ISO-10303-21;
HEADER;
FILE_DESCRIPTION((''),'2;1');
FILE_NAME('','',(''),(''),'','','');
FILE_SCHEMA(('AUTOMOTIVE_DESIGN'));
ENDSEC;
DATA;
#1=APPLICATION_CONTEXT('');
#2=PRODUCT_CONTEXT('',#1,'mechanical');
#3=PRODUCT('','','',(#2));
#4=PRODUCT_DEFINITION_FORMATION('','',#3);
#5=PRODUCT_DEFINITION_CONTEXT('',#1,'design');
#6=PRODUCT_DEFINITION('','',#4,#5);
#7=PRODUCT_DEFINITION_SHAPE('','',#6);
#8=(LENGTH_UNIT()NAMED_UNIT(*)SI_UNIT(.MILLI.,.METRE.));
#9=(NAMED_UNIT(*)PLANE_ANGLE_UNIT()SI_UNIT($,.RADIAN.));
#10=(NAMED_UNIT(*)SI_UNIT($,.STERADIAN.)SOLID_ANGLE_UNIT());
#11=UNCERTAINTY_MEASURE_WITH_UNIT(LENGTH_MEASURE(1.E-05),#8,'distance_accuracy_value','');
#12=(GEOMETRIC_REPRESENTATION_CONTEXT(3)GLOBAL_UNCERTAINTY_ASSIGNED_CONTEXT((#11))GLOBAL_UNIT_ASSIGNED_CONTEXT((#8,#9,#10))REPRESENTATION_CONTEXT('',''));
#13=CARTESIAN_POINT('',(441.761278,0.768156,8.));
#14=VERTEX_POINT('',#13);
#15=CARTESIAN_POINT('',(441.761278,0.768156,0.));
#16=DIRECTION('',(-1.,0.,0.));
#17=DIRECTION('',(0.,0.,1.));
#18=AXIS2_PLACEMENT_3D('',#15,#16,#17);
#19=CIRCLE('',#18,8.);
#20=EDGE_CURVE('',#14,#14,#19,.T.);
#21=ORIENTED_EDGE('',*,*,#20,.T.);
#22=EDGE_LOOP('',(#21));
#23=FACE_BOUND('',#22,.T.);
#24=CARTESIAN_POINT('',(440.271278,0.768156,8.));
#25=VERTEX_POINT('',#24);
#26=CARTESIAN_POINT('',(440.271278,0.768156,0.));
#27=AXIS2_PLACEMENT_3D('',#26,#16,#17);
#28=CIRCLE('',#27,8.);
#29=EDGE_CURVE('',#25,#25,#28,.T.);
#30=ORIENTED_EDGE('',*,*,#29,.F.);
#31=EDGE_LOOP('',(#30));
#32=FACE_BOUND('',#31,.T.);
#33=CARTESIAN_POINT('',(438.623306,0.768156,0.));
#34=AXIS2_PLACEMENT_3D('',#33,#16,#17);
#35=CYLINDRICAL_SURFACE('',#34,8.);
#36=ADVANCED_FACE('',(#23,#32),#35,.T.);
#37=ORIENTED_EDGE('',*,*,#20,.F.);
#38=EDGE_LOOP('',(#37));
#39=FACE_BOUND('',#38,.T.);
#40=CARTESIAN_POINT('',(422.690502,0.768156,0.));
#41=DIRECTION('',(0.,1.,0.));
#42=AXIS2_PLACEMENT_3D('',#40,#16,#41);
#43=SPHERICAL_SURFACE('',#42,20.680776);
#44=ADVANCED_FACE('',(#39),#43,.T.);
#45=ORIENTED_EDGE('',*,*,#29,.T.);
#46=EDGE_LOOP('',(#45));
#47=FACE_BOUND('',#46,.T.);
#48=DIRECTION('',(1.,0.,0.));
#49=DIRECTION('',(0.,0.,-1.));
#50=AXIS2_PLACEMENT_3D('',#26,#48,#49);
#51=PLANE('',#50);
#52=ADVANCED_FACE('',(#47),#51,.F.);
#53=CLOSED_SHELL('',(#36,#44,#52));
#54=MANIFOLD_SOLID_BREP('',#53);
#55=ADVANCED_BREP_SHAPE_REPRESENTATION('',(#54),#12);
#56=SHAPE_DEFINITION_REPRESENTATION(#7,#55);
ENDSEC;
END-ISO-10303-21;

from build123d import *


with BuildPart() as part:
    # 草图1 → 旋转1 (revolve)
    with BuildSketch(Plane.XY):
        with BuildLine():
            Line((440.271278024, 0.76815575), (440.271278024, 8.76815575))
            Line((440.271278024, 8.76815575), (441.761278024, 8.76815575))
            ThreePointArc((441.761278024, 8.76815575), (442.964783054, 4.848354887), (443.371278024, 0.76815575))
            Line((443.371278024, 0.76815575), (440.271278024, 0.76815575))
        make_face()
    revolve(axis=Axis((438.623305551, 0.76815575, 0), (1, 0, 0)))


solid = part.part
